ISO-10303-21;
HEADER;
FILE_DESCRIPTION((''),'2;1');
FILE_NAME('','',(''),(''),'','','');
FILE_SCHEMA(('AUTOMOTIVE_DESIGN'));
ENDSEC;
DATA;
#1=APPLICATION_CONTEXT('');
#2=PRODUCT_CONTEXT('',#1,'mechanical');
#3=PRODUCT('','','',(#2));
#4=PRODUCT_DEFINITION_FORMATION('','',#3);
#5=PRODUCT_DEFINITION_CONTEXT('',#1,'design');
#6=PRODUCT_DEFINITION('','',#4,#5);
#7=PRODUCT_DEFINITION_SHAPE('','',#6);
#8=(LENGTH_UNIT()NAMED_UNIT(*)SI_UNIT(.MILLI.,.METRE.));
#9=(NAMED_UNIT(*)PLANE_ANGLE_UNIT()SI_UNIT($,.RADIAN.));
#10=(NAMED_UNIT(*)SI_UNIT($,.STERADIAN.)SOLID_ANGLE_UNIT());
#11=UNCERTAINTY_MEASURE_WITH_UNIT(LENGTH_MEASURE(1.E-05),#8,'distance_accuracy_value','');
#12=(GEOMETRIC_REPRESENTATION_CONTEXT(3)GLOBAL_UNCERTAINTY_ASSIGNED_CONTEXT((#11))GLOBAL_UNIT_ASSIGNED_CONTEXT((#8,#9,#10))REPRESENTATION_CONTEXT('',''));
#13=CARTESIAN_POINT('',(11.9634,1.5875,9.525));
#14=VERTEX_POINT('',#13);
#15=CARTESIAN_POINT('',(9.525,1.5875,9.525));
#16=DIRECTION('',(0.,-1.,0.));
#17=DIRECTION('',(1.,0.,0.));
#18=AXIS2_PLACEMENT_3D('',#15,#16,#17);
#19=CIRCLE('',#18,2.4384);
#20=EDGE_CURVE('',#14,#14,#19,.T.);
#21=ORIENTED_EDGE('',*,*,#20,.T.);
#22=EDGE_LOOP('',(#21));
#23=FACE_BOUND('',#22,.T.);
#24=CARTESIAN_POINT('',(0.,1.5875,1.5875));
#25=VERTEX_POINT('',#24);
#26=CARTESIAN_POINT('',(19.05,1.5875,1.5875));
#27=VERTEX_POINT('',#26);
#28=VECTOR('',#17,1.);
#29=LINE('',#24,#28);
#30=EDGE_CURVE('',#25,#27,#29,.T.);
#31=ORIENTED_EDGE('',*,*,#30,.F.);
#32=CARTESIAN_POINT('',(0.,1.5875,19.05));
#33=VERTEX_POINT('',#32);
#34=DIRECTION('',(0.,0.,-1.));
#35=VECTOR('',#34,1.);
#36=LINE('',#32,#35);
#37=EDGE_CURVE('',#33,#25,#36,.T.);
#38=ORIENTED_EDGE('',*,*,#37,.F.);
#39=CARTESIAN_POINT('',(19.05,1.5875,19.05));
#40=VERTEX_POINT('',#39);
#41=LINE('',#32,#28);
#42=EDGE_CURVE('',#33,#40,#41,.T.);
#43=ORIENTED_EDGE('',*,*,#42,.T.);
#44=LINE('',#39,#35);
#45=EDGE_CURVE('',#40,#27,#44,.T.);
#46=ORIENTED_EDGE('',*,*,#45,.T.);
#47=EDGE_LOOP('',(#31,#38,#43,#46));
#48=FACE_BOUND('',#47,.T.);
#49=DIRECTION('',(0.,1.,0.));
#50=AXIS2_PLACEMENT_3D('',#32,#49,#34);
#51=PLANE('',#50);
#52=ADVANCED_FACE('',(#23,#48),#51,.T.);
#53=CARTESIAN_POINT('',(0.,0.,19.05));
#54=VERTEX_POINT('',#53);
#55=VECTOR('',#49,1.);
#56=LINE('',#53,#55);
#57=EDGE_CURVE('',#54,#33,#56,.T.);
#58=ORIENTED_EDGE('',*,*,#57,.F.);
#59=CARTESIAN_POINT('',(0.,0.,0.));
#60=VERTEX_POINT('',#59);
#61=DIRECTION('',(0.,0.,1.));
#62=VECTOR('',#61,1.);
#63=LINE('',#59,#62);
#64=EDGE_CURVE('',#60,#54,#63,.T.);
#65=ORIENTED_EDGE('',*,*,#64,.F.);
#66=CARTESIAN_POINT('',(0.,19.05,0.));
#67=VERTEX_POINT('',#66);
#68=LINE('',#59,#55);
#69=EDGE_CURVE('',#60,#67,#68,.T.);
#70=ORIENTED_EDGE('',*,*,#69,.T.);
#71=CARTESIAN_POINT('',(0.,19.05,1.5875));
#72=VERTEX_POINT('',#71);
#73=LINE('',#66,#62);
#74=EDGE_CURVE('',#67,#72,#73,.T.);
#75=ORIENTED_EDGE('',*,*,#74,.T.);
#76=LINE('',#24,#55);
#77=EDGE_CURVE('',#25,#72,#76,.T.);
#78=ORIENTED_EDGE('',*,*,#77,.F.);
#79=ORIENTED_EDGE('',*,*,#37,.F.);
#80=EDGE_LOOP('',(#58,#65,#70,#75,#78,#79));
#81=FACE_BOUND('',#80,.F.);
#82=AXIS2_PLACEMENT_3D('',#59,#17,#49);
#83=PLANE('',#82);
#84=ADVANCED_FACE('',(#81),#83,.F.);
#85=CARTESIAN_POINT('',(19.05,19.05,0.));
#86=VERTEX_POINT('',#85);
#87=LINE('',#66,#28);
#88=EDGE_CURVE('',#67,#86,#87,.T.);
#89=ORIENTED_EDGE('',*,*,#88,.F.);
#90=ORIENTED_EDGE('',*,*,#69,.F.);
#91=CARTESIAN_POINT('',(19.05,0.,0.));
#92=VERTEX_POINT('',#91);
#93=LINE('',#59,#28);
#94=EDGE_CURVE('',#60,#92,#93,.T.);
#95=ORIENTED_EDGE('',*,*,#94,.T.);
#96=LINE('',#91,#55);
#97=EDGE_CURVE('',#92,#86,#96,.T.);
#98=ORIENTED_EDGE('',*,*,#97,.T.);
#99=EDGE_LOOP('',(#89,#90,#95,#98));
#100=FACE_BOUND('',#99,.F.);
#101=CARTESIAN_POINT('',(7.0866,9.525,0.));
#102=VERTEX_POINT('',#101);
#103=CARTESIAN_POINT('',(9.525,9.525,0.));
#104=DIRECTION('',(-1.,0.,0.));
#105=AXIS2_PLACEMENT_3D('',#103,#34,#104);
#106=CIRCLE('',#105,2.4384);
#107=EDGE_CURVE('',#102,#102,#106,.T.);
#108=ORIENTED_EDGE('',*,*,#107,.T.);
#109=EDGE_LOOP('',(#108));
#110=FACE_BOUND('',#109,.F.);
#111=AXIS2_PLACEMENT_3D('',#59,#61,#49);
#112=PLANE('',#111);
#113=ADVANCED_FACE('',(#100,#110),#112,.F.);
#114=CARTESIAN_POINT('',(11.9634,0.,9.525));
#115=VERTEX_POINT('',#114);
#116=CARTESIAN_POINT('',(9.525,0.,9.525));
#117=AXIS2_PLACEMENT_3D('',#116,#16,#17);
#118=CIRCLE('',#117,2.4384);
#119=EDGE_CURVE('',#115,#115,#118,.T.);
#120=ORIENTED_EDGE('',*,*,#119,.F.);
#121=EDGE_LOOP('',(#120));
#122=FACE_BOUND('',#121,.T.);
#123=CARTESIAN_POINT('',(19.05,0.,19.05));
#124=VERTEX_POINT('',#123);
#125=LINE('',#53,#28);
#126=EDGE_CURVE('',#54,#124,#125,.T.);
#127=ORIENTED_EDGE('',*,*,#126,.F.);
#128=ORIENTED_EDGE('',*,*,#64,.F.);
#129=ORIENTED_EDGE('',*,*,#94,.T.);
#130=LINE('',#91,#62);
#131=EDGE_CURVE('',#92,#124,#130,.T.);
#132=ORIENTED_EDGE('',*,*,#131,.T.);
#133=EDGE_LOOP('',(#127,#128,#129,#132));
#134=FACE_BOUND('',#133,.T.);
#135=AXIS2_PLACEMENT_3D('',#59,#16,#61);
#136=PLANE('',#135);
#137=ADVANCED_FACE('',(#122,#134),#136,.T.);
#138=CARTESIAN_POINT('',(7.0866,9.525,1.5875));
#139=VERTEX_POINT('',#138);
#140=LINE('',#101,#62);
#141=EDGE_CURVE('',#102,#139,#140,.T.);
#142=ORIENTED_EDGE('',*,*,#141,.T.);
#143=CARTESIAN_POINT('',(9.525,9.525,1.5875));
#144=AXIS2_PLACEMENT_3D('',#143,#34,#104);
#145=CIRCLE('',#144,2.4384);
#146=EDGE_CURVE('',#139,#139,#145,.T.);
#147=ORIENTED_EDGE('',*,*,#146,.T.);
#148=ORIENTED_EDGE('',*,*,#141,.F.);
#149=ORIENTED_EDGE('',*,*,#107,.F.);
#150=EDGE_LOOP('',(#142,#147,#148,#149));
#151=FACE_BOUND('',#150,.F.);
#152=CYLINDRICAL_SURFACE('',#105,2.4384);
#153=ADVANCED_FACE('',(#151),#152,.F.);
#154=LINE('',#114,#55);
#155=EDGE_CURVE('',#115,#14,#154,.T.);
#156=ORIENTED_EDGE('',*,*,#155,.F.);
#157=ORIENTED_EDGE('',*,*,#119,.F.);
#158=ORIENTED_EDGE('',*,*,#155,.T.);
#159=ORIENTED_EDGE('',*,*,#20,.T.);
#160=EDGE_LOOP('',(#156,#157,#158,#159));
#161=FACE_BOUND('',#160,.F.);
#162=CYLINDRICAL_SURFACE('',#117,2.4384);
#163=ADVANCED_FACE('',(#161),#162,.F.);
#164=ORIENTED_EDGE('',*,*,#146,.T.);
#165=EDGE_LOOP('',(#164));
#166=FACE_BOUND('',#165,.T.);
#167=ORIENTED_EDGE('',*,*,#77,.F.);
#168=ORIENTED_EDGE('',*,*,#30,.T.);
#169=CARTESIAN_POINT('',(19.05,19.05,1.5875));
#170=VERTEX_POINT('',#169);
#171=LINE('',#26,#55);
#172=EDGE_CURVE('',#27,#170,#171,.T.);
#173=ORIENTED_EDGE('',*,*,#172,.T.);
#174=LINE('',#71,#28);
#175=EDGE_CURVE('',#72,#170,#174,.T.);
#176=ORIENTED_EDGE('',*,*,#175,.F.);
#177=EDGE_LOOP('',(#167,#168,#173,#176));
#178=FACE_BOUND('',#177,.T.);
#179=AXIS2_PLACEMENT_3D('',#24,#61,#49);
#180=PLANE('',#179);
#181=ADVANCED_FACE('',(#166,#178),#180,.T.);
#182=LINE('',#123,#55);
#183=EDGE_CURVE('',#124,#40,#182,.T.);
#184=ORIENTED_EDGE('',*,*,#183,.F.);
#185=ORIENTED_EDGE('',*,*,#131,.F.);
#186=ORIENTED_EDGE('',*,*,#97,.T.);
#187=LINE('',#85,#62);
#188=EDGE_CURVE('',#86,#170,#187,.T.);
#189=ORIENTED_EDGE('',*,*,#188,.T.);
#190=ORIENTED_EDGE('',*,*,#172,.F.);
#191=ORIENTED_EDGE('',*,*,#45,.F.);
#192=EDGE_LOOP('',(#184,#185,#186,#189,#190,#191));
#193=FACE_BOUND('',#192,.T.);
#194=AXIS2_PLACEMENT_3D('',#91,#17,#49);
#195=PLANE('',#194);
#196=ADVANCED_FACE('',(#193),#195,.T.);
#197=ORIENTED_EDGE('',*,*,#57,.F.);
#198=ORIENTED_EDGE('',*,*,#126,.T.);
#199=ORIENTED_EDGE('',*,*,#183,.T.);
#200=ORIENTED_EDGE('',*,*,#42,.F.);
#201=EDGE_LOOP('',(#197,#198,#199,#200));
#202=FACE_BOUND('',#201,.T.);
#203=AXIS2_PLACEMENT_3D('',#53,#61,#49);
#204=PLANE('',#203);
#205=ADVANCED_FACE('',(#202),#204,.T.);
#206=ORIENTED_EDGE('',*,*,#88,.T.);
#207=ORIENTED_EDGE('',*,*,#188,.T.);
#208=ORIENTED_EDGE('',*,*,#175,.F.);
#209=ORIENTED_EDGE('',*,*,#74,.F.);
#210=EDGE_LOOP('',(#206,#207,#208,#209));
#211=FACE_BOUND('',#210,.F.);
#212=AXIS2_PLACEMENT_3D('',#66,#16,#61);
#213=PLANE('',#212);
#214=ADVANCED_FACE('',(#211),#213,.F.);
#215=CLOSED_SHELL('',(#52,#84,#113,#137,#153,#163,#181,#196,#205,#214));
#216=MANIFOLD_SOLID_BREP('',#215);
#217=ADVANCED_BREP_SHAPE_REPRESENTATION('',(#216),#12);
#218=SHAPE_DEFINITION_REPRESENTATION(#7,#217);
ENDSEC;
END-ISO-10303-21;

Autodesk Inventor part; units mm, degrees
ref_plane "YZ Plane" through (0, 0, 0) normal (1, 0, 0) x (0, 1, 0)
ref_plane "XZ Plane" through (0, 0, 0) normal (0, 1, 0) x (-1, 0, 0)
ref_plane "XY Plane" through (0, 0, 0) normal (0, 0, 1) x (1, 0, 0)
sketch "Sketch1" plane through (0, 0, 0) normal (1, 0, 0) x (0, 1, 0)
  line L0 (0, 0) -> (0, 19.05)
  line L1 (0, 0) -> (19.05, 0)
  line L2 (1.5875, 19.05) -> (1.5875, 1.5875)
  line L3 (1.5875, 1.5875) -> (19.05, 1.5875)
  line L4 (0, 19.05) -> (1.5875, 19.05)
  line L5 (19.05, 0) -> (19.05, 1.5875)
  dimension "d0" = 19.05
  dimension "d1" = 19.05
  dimension "d2" = 1.5875
extrude "Extrusion1" add sketch "Sketch1" along normal blind 19.05
sketch "Sketch2" plane through (0, 0, 0) normal (0, -1, 0) x (1, 0, 0)
  line L0 (19.05, 1.5875) -> (19.05, 19.05) construction
  line L1 (19.05, 19.05) -> (0, 0) construction
  line L2 (0, 1.5875) -> (0, 19.05) construction
  line L3 (19.05, 0) -> (19.05, 1.5875) construction
  line L4 (0, 19.05) -> (19.05, 0) construction
  circle A0 centre (9.525, 9.525) radius 2.4384
  dimension "d5" = 4.8768
extrude "Extrusion2" cut sketch "Sketch2" against normal blind 25.4
sketch "Sketch3" plane through (0, 0, 0) normal (0, 0, -1) x (-1, 0, 0)
  line L0 (-19.05, 0) -> (-19.05, 19.05) construction
  line L1 (-19.05, 19.05) -> (0, 0) construction
  line L2 (0, 0) -> (0, 19.05) construction
  line L3 (0, 0) -> (-19.05, 0) construction
  line L4 (0, 19.05) -> (-19.05, 0) construction
  circle A0 centre (-9.525, 9.525) radius 2.4384
  dimension "d8" = 4.8768
extrude "Extrusion3" cut sketch "Sketch3" against normal blind 25.4
properties part number "l-bracket"
